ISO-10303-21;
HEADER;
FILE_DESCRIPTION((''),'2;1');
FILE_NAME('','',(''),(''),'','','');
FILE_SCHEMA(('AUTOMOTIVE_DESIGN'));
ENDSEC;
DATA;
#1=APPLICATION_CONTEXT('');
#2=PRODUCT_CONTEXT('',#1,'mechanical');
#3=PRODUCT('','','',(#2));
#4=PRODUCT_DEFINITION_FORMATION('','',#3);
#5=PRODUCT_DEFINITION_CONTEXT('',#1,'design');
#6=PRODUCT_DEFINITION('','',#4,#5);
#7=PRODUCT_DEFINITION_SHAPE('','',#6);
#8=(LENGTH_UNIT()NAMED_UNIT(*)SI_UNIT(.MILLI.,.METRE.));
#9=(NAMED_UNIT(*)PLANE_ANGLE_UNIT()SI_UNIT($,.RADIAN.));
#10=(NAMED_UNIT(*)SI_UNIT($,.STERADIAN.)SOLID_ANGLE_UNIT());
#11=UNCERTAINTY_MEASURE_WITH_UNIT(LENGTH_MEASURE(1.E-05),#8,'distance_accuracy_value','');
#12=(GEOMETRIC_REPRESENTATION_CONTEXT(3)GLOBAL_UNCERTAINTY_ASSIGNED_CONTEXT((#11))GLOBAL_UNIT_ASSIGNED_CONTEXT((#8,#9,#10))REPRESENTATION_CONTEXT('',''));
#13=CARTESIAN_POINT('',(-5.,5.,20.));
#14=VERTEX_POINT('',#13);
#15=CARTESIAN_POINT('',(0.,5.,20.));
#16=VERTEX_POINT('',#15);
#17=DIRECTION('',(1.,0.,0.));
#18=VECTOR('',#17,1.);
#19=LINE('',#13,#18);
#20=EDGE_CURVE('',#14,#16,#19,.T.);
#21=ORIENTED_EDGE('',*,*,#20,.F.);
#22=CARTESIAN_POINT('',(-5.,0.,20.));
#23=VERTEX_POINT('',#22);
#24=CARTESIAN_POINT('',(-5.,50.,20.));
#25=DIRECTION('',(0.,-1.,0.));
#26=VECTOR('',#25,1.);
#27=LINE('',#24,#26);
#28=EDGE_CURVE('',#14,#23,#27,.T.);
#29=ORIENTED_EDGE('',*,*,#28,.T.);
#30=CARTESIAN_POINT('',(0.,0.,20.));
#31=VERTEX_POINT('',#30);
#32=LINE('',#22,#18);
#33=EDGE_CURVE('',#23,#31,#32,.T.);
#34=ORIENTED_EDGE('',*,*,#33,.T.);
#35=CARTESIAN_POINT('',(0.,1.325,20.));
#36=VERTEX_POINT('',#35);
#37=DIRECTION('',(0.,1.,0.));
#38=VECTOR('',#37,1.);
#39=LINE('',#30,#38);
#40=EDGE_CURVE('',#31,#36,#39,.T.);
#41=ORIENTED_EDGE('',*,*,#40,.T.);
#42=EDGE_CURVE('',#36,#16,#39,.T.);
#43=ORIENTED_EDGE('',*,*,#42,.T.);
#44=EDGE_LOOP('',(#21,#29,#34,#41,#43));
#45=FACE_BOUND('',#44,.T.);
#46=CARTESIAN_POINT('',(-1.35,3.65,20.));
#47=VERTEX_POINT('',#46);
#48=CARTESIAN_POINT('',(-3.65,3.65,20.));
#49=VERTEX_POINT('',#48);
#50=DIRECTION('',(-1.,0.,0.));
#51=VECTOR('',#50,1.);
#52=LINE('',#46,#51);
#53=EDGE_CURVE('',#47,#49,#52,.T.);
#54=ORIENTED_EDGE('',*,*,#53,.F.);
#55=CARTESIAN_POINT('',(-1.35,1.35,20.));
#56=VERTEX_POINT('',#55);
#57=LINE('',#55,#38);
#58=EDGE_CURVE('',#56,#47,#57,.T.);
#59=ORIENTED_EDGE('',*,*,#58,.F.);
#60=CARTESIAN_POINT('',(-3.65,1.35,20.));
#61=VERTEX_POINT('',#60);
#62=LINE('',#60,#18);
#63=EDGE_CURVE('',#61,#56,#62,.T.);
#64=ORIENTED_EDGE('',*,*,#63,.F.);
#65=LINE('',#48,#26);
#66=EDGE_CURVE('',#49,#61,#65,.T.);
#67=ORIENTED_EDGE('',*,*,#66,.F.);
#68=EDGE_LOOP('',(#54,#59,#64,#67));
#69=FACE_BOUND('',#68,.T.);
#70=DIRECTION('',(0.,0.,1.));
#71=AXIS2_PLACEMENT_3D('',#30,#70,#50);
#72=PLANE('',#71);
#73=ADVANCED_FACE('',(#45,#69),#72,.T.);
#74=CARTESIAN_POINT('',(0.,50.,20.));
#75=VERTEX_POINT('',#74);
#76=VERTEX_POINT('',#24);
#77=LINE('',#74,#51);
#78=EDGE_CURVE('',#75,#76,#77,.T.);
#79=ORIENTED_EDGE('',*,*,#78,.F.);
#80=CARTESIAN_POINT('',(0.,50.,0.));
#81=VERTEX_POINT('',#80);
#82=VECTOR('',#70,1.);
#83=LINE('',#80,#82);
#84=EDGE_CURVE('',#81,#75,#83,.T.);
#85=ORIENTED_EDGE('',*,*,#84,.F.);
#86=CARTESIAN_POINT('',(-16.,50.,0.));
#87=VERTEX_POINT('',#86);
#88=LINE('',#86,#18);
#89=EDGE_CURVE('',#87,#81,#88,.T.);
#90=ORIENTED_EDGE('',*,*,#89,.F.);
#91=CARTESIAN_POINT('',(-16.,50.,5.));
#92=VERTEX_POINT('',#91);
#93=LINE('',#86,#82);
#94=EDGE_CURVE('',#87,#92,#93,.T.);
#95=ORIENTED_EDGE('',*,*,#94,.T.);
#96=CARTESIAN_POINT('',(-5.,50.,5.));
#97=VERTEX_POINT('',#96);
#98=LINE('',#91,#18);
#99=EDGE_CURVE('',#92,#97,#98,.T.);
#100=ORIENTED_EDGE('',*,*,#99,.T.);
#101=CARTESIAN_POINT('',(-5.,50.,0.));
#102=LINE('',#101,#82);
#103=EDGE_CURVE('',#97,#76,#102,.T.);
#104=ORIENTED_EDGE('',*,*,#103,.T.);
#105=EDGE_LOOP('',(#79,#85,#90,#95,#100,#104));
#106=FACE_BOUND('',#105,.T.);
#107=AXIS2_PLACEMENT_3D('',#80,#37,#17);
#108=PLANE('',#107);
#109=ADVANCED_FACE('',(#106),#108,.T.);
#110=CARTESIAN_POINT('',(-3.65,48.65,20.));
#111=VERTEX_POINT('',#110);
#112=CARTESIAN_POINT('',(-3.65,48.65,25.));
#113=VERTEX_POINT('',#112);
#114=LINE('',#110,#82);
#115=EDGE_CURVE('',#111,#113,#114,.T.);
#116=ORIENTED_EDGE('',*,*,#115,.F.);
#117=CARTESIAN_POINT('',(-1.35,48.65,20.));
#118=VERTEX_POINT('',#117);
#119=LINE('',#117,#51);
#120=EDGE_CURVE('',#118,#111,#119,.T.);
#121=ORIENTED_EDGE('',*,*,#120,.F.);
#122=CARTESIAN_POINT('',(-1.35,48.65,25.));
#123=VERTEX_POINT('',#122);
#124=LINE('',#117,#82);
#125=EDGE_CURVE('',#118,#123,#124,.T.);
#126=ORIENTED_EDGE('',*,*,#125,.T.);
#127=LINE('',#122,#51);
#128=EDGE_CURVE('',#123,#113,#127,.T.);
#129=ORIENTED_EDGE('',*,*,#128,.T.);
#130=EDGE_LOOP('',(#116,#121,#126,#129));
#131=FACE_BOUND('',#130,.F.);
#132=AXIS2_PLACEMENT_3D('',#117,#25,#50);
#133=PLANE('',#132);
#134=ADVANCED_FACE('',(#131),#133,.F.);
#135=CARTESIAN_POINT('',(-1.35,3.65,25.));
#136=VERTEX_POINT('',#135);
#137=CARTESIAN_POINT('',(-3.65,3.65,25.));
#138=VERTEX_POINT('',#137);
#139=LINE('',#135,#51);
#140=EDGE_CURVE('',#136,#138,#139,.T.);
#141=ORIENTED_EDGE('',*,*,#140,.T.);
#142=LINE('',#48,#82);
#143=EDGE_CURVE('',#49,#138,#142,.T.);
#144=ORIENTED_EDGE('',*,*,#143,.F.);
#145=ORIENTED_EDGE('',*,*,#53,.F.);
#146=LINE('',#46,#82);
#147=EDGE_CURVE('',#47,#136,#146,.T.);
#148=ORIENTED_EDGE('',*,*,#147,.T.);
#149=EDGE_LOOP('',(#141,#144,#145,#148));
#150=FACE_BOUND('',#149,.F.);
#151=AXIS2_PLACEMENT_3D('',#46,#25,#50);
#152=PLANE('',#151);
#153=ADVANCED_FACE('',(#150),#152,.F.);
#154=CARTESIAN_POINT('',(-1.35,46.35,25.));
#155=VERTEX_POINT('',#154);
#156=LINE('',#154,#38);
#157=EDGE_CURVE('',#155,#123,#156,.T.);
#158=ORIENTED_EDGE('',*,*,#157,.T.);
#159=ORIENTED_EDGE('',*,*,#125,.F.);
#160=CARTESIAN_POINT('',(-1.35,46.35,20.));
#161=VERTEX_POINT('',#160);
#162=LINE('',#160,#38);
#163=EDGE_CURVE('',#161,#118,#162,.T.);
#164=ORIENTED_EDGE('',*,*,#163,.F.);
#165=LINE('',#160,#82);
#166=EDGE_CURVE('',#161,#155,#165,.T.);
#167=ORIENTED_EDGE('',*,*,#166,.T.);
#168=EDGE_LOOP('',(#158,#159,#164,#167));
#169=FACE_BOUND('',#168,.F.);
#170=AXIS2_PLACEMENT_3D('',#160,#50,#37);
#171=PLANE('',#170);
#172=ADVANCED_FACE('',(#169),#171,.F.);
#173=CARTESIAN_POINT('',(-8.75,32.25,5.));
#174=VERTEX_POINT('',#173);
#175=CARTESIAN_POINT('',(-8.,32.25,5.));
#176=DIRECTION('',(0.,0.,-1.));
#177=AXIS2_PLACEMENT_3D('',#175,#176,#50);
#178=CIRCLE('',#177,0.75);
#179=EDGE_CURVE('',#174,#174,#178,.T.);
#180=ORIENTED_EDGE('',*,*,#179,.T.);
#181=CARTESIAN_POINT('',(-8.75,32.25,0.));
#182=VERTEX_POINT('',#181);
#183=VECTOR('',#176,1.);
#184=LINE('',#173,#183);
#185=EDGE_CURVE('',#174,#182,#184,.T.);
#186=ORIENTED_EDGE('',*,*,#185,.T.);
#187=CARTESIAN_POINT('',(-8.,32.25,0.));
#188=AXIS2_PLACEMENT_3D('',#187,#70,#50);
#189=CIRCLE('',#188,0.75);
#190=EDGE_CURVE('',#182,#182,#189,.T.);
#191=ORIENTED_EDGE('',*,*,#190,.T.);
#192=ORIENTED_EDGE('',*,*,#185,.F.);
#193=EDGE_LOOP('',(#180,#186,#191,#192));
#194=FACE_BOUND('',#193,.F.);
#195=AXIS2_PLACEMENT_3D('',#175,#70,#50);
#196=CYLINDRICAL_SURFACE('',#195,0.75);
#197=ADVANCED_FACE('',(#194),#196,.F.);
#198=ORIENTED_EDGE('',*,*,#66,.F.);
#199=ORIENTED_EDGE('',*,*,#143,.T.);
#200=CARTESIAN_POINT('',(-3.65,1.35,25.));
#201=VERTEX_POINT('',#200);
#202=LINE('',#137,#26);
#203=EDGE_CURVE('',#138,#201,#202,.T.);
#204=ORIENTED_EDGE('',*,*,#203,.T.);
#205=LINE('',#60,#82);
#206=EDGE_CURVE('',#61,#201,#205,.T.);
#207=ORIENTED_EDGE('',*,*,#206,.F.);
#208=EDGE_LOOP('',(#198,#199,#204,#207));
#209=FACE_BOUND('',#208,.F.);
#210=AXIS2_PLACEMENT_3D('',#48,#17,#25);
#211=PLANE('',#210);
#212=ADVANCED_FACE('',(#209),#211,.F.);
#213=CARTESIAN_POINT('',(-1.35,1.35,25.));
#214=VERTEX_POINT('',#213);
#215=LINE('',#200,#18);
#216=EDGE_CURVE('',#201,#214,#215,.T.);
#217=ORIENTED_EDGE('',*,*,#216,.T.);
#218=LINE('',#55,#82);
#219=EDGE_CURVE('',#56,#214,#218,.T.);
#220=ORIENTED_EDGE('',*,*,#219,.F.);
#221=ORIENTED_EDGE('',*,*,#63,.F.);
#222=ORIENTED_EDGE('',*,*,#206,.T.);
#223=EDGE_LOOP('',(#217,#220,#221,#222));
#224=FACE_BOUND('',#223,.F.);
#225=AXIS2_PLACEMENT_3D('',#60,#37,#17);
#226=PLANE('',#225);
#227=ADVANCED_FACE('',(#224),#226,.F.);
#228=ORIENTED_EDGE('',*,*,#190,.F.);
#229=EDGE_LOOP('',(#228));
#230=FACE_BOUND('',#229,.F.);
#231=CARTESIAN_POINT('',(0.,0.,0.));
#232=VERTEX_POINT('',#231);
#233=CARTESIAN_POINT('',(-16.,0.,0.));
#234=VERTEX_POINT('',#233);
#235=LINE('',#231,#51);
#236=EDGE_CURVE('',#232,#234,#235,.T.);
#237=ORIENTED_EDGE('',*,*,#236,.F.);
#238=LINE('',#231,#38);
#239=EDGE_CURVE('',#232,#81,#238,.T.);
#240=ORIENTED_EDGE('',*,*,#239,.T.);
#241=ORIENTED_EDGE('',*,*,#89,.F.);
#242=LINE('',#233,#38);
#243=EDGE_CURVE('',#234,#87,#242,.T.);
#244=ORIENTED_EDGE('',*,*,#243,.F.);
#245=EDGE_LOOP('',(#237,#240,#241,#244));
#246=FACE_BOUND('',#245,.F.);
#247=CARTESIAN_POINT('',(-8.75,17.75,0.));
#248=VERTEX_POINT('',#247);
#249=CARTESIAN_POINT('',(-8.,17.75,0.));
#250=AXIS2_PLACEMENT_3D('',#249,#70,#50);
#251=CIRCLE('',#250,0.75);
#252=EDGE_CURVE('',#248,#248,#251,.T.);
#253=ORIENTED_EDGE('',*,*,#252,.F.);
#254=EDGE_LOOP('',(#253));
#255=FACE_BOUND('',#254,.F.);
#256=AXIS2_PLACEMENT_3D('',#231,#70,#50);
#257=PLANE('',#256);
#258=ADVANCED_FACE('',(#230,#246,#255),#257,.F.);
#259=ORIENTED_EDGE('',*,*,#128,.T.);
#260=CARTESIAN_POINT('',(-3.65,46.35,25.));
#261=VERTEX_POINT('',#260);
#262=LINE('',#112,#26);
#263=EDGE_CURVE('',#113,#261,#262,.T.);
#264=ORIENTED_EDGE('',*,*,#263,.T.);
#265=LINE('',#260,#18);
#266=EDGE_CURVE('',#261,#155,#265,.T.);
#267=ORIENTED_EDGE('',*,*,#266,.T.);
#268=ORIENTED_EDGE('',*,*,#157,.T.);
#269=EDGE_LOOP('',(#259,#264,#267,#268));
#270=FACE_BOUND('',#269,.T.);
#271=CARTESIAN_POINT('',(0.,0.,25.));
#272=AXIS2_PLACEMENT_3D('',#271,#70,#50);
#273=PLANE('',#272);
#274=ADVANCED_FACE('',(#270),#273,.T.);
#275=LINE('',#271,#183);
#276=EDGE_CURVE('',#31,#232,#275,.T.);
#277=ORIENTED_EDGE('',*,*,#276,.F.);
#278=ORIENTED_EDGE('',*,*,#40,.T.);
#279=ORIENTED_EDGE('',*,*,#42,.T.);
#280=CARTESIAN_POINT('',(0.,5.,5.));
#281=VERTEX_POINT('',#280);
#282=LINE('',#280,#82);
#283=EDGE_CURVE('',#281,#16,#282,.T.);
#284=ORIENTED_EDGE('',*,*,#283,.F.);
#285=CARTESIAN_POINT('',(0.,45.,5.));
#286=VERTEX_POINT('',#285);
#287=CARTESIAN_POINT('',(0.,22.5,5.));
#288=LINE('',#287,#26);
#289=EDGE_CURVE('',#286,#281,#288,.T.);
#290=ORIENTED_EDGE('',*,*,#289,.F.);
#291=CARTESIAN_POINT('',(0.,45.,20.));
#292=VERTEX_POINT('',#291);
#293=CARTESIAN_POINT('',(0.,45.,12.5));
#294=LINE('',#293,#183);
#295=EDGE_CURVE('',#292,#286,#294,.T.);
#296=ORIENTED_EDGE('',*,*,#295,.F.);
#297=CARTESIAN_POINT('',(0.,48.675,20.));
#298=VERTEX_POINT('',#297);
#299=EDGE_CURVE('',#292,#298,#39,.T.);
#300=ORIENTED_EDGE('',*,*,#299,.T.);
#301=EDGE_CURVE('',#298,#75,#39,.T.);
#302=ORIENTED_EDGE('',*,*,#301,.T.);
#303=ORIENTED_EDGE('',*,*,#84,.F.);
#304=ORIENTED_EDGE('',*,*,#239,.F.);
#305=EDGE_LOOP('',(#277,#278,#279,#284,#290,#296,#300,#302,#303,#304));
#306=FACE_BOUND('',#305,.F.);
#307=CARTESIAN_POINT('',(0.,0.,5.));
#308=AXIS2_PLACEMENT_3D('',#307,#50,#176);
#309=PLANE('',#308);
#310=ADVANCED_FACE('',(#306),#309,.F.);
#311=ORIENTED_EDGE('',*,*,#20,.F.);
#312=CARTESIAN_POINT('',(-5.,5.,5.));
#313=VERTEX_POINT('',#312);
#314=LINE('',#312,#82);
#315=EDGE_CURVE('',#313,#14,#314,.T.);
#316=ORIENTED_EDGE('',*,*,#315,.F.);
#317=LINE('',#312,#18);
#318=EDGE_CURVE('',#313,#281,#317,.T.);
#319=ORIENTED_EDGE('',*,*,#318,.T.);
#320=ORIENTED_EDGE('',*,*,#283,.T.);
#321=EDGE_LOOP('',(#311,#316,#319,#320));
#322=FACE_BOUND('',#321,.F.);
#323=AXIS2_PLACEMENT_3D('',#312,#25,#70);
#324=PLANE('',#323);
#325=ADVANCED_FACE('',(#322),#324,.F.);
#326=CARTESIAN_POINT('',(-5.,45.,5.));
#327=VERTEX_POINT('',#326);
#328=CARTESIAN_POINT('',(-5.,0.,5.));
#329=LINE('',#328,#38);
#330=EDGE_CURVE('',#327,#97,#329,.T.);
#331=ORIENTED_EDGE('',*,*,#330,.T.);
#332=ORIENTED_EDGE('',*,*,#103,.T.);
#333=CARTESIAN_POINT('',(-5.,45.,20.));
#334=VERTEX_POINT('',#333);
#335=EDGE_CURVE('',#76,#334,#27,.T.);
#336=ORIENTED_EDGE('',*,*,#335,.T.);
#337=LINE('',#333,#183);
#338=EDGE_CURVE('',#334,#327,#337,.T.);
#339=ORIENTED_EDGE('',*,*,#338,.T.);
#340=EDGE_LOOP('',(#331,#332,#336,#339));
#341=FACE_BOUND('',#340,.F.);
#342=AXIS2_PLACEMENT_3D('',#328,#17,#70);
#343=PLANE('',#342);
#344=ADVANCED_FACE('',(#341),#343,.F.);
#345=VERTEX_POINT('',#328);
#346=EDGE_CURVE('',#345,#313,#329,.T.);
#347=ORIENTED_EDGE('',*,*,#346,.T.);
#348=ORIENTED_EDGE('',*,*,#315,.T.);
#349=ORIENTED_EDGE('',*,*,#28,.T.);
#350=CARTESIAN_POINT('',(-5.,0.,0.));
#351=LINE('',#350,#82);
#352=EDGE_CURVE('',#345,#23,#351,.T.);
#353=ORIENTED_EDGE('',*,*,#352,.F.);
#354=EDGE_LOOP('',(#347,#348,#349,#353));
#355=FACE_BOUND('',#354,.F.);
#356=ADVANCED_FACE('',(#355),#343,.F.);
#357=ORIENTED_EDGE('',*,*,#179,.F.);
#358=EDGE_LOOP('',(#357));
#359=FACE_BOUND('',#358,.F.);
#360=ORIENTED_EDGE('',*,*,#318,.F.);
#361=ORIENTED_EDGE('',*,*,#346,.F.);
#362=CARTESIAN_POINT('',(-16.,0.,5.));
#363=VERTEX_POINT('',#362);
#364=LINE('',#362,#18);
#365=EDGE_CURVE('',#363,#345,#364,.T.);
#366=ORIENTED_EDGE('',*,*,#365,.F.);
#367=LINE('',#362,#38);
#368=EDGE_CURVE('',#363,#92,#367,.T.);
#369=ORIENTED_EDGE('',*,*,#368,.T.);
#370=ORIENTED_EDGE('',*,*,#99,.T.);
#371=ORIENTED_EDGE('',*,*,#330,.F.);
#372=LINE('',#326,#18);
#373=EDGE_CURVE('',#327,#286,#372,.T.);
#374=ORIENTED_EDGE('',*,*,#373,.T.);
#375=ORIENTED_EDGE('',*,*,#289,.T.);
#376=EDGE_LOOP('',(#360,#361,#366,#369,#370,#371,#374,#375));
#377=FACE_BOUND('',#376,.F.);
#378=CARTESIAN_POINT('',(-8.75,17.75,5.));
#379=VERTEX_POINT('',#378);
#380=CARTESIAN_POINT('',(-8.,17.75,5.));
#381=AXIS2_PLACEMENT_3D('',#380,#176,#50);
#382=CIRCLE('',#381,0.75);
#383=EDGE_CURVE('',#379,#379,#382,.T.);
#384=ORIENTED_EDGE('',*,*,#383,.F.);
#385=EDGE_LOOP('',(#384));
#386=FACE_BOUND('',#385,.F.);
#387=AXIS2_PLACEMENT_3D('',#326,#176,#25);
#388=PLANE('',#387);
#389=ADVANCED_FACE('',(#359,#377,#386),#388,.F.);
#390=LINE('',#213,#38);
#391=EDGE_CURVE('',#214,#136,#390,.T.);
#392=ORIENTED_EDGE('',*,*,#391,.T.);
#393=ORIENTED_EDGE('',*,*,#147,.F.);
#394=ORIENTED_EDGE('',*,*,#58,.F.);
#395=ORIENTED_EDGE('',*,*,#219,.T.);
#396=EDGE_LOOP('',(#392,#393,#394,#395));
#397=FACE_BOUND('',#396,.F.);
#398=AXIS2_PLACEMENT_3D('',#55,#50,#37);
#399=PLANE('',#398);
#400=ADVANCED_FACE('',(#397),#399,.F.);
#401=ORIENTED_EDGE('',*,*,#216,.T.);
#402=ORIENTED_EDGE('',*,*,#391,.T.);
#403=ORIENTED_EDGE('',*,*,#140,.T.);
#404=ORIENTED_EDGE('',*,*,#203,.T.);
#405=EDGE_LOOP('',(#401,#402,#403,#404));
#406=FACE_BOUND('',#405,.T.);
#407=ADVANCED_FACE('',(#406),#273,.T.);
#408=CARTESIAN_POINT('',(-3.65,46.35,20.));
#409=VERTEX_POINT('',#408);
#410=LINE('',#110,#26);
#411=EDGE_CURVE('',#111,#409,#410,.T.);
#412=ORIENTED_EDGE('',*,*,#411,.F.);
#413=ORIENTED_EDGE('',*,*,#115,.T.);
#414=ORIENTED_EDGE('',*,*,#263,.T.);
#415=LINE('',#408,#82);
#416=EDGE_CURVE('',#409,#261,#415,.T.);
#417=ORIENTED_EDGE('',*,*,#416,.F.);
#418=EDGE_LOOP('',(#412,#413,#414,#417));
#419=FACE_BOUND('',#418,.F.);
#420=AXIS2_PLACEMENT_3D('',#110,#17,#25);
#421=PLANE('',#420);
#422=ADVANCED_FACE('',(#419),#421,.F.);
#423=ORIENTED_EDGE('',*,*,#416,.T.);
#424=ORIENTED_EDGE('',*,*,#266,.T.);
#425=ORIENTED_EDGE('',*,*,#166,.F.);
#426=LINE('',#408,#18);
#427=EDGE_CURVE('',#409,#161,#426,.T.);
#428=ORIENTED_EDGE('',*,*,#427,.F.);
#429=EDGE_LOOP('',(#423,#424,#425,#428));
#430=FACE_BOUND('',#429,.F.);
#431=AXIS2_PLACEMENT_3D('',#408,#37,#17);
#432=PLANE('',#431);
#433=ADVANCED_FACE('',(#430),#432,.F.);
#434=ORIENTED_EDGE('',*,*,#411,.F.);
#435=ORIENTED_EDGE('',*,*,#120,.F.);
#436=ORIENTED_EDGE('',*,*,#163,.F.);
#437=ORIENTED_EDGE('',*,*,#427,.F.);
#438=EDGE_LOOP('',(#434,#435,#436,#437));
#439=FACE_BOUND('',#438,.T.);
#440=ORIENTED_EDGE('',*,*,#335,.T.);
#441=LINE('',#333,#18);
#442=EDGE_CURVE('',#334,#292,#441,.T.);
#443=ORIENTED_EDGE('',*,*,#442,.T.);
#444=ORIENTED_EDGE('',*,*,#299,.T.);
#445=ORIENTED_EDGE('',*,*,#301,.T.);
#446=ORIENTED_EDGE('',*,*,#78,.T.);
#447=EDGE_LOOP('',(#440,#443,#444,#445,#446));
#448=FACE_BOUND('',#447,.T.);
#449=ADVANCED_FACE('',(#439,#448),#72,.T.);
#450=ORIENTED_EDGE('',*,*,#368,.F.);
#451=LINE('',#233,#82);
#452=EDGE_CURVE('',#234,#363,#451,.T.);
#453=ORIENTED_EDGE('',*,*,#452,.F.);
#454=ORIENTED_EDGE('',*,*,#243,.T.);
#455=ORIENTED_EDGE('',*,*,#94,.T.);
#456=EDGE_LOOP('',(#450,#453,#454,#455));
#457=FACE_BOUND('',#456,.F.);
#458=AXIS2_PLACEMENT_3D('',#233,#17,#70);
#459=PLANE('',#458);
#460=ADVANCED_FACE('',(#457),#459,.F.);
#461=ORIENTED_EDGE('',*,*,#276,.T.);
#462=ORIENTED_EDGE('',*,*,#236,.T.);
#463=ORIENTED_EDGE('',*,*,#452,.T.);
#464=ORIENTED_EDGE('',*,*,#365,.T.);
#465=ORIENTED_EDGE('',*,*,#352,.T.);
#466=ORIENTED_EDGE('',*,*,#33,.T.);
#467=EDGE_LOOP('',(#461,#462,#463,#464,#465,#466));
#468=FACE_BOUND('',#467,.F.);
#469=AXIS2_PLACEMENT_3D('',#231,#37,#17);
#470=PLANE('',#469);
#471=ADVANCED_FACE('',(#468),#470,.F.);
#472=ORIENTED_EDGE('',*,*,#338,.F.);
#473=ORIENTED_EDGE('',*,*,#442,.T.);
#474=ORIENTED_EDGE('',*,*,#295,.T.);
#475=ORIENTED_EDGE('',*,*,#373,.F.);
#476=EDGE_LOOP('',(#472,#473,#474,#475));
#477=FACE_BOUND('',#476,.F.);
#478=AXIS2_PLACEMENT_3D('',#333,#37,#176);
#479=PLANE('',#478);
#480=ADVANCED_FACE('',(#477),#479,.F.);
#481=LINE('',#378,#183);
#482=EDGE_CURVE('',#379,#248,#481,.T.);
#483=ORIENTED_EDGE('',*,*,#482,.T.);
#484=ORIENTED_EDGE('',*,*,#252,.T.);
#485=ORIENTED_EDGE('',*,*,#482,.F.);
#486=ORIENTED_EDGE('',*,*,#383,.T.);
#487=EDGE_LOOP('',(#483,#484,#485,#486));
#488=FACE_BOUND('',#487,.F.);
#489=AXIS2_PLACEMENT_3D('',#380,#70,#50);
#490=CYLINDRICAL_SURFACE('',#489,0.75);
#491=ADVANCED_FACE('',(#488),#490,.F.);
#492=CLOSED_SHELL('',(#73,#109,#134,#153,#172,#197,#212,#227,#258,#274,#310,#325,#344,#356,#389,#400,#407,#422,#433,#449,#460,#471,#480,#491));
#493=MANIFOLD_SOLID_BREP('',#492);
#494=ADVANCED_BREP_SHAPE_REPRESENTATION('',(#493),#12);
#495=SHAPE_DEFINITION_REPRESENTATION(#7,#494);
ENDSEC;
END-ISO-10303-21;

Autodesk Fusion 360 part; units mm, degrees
sketch "Sketch1" plane through (0, 0, 0) normal (0, 0, 1) x (1, 0, 0)
sketch "Sketch2" plane through (0, 0, 0) normal (0, 1, 0) x (1, 0, 0)
  line L0 (0, 0) -> (-16, 0)
  line L1 (-16, 0) -> (-16, -5)
  line L2 (-16, -5) -> (0, -5)
  line L3 (0, -5) -> (0, 0)
  line L4 (0, 0) -> (-5, 0)
  line L5 (-5, 0) -> (-5, -25)
  line L6 (-5, -25) -> (0, -25)
  line L7 (0, -25) -> (0, 0)
  dimension "d1" = 16
  dimension "d2" = 5
  dimension "d3" = 5
  dimension "d4" = 25
extrude "Extrude1" add sketch "Sketch2" along normal blind 50
sketch "Sketch3" plane through (-5, 0, 0) normal (-1, 0, 0) x (0, -1, 0)
  line L0 (0, 5) -> (0, 25)
  line L1 (0, 25) -> (-50, 25)
  line L2 (-50, 25) -> (-50, 5)
  line L3 (-50, 5) -> (0, 5)
  line L4 (-50, 5) -> (-45, 5)
  line L5 (-45, 5) -> (-5, 5)
  line L6 (-5, 5) -> (-5, 20)
  line L7 (-5, 20) -> (-45, 20)
  line L8 (-45, 20) -> (-45, 5)
  dimension "d7" = 5
  dimension "d8" = 40
  dimension "d9" = 15
extrude "Extrude2" cut sketch "Sketch3" against normal blind 1000 contours L3 L5 L6 L7 L8
sketch "Sketch4" plane through (0, 0, 25) normal (0, 0, 1) x (-1, 0, 0)
  line L0 (5, 0) -> (0, 0)
  line L1 (0, 0) -> (0, -50)
  line L2 (0, -50) -> (5, -50)
  line L3 (5, -50) -> (5, 0)
  line L4 (0, -50) -> (0, -48.675)
  line L5 (0, -48.675) -> (1.325, -48.675)
  line L6 (1.325, -48.675) -> (3.625, -48.675)
  line L7 (3.625, -48.675) -> (3.625, -46.375)
  line L8 (3.625, -46.375) -> (1.325, -46.375)
  line L9 (1.325, -46.375) -> (1.325, -48.675)
  line L10 (0, 0) -> (0, -1.325)
  line L11 (0, -1.325) -> (1.325, -1.325)
  line L12 (1.325, -1.325) -> (3.625, -1.325)
  line L13 (3.625, -1.325) -> (3.625, -3.625)
  line L14 (3.625, -3.625) -> (1.325, -3.625)
  line L15 (1.325, -3.625) -> (1.325, -1.325)
  dimension "d12" = 1.325
  dimension "d13" = 1.325
  dimension "d14" = 2.3
  dimension "d15" = 2.3
  dimension "d16" = 1.325
  dimension "d17" = 1.325
  dimension "d18" = 2.3
  dimension "d19" = 2.3
extrude "Extrude3" cut sketch "Sketch4" against normal blind 5
sketch "Sketch5" plane through (0, 0, 5) normal (0, 0, 1) x (-1, 0, 0)
  line L0 (16, 0) -> (5, 0)
  line L1 (5, 0) -> (5, -5)
  line L2 (5, -5) -> (0, -5)
  line L3 (0, -5) -> (0, -45)
  line L4 (0, -45) -> (5, -45)
  line L5 (5, -45) -> (5, -50)
  line L6 (5, -50) -> (16, -50)
  line L7 (16, -50) -> (16, 0)
  line L8 (8, -50) -> (8, -25)
  line L9 (8, -25) -> (8, -32.25)
  line L10 (8, -32.25) -> (8, -17.75)
  line L11 (0, -36) -> (7.25, -36)
  line L12 (7.25, -36) -> (7.25, -31.1746)
  line L13 (8, -32.25) -> (7.25, -32.25)
  line L14 (7.25, -32.25) -> (8, -32.25)
  circle A0 centre (8, -32.25) radius 0.75
  line L15 (8, -32.25) -> (8, -17.75)
  circle A1 centre (8, -17.75) radius 0.75
  dimension "d22" = 25
  dimension "d23" = 7.25
  dimension "d24" = 14.5
  dimension "d25" = 7.25
  dimension "d26" = 0.75
  dimension "d27" = 1.5
  dimension "d28" = 14.5
  dimension "d29" = 1.5
extrude "Extrude4" cut sketch "Sketch5" against normal blind 1000 contours A1 | L8 L13 L14 A0 | L8 L9 L10 A0 L15 | L8 L9 L10 L13 L14 A0 L15
extrude "Extrude5" cut 2 faces at (-2.0917, 47.9083, 25) (-2.0917, 2.8583, 25) along direction (0, 0, -1) blind 5
sketch "Sketch6" plane through (0, 0, 20) normal (0, 0, 1) x (-1, 0, 0)
  line L0 (5, -45) -> (0, -45)
  line L1 (0, -45) -> (0, -50)
  line L2 (0, -50) -> (5, -50)
  line L3 (5, -50) -> (5, -45)
  line L4 (5, 0) -> (3.65, 0)
  line L5 (3.65, 0) -> (3.65, -1.35)
  line L6 (3.65, -1.35) -> (5, -1.35)
  line L7 (5, -1.35) -> (5, 0)
  line L8 (3.65, -1.35) -> (1.35, -1.35)
  line L9 (1.35, -1.35) -> (1.35, -3.65)
  line L10 (1.35, -3.65) -> (3.65, -3.65)
  line L11 (3.65, -3.65) -> (3.65, -1.35)
  line L12 (5, -45) -> (3.65, -45)
  line L13 (3.65, -45) -> (3.65, -46.35)
  line L14 (3.65, -46.35) -> (5, -46.35)
  line L15 (5, -46.35) -> (5, -45)
  line L16 (3.65, -46.35) -> (1.35, -46.35)
  line L17 (1.35, -46.35) -> (1.35, -48.65)
  line L18 (1.35, -48.65) -> (3.65, -48.65)
  line L19 (3.65, -48.65) -> (3.65, -46.35)
  dimension "d34" = 1.35
  dimension "d35" = 1.35
  dimension "d36" = 2.3
  dimension "d37" = 2.3
  dimension "d38" = 1.35
  dimension "d39" = 1.35
  dimension "d40" = 2.3
  dimension "d41" = 2.3
extrude "Extrude6" add sketch "Sketch6" along normal blind 5 contours L16 L17 L18 L19 | L8 L9 L10 L11
